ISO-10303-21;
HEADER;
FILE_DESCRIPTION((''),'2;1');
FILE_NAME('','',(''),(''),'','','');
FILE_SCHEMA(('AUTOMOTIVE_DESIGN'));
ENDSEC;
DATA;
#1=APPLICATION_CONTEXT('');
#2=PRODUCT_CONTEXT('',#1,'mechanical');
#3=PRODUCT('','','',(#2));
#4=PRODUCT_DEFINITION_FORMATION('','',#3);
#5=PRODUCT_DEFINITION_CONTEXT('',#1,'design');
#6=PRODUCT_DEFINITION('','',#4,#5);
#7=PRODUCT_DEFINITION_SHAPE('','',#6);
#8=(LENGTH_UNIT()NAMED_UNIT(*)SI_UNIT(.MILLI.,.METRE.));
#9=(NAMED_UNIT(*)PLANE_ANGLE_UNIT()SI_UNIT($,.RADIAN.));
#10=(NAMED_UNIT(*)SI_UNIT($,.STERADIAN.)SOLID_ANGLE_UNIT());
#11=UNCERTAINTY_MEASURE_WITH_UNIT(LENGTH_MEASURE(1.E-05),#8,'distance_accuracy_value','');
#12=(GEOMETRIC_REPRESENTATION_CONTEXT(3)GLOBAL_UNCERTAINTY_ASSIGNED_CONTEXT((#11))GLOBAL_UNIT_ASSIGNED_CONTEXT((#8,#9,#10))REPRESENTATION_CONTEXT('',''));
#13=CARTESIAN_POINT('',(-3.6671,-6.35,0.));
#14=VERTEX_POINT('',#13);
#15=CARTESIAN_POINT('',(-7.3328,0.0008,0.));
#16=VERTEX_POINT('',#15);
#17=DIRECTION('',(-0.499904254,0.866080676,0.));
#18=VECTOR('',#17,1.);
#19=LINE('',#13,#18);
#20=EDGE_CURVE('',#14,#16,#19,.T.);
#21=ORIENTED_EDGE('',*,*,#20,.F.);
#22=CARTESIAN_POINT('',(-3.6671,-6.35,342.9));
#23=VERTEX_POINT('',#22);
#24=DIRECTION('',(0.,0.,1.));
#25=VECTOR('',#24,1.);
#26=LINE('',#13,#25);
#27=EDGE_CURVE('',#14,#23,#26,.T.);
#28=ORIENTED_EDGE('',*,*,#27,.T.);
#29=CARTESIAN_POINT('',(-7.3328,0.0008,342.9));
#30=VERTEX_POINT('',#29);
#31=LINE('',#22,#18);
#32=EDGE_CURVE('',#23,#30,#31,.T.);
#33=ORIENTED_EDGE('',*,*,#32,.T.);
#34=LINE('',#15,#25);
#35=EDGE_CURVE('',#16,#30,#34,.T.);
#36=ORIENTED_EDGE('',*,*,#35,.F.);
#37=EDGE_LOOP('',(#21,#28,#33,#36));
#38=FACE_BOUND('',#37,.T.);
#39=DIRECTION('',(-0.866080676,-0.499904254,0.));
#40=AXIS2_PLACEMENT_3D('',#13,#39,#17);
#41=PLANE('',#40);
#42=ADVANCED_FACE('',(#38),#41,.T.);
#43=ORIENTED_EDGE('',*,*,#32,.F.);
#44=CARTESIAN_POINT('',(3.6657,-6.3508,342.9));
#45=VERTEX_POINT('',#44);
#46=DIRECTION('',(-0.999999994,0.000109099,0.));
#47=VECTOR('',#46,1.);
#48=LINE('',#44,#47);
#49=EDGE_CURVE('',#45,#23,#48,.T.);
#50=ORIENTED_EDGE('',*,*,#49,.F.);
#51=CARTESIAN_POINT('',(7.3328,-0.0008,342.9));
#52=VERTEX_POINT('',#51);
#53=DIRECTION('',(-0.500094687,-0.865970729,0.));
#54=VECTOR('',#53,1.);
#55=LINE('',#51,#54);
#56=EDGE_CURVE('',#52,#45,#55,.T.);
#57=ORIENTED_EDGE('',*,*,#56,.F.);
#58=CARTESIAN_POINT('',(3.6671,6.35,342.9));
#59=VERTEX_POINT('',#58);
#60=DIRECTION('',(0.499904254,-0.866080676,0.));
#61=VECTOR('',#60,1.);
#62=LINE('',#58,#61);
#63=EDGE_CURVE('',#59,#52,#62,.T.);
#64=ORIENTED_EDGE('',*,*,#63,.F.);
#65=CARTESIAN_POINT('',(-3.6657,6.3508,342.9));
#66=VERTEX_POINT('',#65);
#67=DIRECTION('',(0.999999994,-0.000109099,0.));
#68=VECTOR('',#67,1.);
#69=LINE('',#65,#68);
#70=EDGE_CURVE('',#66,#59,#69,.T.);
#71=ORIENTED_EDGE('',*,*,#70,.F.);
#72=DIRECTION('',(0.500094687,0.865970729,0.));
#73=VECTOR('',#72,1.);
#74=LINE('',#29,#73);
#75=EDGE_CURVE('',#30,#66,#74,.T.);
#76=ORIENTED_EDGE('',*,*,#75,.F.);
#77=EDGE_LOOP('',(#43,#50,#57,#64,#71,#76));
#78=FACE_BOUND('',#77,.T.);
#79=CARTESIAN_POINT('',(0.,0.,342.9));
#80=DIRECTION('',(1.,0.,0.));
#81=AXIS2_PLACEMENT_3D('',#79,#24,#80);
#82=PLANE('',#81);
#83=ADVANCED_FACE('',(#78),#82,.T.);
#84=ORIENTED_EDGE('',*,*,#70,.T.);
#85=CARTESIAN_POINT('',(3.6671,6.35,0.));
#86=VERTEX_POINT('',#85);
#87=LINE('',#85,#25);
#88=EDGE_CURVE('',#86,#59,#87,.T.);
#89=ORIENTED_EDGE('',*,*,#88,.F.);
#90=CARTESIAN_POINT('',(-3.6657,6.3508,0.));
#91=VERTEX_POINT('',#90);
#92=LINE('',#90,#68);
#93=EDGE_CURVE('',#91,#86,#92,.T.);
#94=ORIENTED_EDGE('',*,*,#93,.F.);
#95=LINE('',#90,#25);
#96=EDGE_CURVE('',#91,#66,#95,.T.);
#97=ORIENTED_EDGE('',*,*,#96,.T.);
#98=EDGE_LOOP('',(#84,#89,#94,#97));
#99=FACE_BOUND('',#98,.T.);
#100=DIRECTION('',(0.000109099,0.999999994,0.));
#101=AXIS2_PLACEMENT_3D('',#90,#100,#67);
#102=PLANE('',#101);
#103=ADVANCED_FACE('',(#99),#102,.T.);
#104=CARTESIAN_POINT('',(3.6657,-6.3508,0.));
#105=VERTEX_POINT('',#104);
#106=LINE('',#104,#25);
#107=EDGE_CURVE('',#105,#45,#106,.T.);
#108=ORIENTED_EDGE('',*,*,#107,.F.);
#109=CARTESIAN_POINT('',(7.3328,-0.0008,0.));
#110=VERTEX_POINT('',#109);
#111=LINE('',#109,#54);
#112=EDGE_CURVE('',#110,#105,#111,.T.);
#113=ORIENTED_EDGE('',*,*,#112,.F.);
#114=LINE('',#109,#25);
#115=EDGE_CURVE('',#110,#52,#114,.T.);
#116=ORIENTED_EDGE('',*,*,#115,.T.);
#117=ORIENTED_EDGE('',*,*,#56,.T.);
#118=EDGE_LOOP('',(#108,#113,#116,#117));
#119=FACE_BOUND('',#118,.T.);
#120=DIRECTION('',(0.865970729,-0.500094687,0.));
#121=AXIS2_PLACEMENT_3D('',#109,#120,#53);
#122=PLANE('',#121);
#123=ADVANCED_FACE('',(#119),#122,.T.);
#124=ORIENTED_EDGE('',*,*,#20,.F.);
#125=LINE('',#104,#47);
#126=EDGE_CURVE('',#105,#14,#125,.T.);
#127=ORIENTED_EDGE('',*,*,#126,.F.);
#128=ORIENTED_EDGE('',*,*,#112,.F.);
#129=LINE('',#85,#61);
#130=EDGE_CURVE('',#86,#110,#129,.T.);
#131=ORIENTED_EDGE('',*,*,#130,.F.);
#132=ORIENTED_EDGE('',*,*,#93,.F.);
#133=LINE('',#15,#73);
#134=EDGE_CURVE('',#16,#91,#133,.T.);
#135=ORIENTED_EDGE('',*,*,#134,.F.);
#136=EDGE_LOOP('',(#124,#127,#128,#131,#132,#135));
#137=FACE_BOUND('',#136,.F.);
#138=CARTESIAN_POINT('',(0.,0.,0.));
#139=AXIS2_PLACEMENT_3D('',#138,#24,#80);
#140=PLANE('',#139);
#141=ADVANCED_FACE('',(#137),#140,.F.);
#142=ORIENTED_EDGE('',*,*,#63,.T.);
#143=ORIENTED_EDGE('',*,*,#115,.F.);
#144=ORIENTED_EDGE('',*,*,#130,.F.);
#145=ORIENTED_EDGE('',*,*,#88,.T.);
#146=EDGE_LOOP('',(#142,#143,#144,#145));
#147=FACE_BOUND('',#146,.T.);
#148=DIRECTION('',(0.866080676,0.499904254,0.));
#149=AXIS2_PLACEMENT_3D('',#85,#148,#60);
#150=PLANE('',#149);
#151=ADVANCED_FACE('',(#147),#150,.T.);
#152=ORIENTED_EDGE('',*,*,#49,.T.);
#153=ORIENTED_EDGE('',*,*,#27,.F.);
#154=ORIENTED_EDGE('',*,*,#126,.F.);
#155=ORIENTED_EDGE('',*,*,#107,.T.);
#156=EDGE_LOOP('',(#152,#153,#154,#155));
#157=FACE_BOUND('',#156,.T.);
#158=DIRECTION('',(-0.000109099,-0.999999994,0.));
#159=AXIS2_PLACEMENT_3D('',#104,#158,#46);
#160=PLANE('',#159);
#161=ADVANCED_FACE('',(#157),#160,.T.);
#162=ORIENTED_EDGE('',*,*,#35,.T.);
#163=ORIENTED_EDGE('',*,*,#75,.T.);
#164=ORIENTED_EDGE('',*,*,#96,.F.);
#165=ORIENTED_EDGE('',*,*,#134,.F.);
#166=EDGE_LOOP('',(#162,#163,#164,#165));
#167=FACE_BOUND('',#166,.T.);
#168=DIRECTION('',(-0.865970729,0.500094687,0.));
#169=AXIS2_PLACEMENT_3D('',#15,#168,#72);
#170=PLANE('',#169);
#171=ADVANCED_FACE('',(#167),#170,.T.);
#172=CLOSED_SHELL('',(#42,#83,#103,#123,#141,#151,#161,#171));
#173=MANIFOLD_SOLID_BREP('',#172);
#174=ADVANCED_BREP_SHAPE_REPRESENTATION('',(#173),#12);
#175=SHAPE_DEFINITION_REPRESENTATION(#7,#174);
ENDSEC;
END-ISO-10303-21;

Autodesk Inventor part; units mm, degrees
ref_plane "YZ Plane" through (0, 0, 0) normal (1, 0, 0) x (0, 1, 0)
ref_plane "XZ Plane" through (0, 0, 0) normal (0, 1, 0) x (-1, 0, 0)
ref_plane "XY Plane" through (0, 0, 0) normal (0, 0, 1) x (1, 0, 0)
sketch "Sketch1" plane through (0, 0, 0) normal (0, 0, 1) x (1, 0, 0)
  line L0 (0, 0) -> (0, 6.35) construction
  line L1 (3.6671, 6.35) -> (7.3328, -0.0008)
  line L2 (7.3328, -0.0008) -> (3.6657, -6.3508)
  line L3 (3.6657, -6.3508) -> (-3.6671, -6.35)
  line L4 (-3.6671, -6.35) -> (-7.3328, 0.0008)
  line L5 (-7.3328, 0.0008) -> (-3.6657, 6.3508)
  line L6 (-3.6657, 6.3508) -> (3.6671, 6.35)
  dimension "d0" = 6.35
extrude "Extrusion1" add sketch "Sketch1" along normal blind 342.9
properties part number "Wrist Hex Shaft 0.5in"
